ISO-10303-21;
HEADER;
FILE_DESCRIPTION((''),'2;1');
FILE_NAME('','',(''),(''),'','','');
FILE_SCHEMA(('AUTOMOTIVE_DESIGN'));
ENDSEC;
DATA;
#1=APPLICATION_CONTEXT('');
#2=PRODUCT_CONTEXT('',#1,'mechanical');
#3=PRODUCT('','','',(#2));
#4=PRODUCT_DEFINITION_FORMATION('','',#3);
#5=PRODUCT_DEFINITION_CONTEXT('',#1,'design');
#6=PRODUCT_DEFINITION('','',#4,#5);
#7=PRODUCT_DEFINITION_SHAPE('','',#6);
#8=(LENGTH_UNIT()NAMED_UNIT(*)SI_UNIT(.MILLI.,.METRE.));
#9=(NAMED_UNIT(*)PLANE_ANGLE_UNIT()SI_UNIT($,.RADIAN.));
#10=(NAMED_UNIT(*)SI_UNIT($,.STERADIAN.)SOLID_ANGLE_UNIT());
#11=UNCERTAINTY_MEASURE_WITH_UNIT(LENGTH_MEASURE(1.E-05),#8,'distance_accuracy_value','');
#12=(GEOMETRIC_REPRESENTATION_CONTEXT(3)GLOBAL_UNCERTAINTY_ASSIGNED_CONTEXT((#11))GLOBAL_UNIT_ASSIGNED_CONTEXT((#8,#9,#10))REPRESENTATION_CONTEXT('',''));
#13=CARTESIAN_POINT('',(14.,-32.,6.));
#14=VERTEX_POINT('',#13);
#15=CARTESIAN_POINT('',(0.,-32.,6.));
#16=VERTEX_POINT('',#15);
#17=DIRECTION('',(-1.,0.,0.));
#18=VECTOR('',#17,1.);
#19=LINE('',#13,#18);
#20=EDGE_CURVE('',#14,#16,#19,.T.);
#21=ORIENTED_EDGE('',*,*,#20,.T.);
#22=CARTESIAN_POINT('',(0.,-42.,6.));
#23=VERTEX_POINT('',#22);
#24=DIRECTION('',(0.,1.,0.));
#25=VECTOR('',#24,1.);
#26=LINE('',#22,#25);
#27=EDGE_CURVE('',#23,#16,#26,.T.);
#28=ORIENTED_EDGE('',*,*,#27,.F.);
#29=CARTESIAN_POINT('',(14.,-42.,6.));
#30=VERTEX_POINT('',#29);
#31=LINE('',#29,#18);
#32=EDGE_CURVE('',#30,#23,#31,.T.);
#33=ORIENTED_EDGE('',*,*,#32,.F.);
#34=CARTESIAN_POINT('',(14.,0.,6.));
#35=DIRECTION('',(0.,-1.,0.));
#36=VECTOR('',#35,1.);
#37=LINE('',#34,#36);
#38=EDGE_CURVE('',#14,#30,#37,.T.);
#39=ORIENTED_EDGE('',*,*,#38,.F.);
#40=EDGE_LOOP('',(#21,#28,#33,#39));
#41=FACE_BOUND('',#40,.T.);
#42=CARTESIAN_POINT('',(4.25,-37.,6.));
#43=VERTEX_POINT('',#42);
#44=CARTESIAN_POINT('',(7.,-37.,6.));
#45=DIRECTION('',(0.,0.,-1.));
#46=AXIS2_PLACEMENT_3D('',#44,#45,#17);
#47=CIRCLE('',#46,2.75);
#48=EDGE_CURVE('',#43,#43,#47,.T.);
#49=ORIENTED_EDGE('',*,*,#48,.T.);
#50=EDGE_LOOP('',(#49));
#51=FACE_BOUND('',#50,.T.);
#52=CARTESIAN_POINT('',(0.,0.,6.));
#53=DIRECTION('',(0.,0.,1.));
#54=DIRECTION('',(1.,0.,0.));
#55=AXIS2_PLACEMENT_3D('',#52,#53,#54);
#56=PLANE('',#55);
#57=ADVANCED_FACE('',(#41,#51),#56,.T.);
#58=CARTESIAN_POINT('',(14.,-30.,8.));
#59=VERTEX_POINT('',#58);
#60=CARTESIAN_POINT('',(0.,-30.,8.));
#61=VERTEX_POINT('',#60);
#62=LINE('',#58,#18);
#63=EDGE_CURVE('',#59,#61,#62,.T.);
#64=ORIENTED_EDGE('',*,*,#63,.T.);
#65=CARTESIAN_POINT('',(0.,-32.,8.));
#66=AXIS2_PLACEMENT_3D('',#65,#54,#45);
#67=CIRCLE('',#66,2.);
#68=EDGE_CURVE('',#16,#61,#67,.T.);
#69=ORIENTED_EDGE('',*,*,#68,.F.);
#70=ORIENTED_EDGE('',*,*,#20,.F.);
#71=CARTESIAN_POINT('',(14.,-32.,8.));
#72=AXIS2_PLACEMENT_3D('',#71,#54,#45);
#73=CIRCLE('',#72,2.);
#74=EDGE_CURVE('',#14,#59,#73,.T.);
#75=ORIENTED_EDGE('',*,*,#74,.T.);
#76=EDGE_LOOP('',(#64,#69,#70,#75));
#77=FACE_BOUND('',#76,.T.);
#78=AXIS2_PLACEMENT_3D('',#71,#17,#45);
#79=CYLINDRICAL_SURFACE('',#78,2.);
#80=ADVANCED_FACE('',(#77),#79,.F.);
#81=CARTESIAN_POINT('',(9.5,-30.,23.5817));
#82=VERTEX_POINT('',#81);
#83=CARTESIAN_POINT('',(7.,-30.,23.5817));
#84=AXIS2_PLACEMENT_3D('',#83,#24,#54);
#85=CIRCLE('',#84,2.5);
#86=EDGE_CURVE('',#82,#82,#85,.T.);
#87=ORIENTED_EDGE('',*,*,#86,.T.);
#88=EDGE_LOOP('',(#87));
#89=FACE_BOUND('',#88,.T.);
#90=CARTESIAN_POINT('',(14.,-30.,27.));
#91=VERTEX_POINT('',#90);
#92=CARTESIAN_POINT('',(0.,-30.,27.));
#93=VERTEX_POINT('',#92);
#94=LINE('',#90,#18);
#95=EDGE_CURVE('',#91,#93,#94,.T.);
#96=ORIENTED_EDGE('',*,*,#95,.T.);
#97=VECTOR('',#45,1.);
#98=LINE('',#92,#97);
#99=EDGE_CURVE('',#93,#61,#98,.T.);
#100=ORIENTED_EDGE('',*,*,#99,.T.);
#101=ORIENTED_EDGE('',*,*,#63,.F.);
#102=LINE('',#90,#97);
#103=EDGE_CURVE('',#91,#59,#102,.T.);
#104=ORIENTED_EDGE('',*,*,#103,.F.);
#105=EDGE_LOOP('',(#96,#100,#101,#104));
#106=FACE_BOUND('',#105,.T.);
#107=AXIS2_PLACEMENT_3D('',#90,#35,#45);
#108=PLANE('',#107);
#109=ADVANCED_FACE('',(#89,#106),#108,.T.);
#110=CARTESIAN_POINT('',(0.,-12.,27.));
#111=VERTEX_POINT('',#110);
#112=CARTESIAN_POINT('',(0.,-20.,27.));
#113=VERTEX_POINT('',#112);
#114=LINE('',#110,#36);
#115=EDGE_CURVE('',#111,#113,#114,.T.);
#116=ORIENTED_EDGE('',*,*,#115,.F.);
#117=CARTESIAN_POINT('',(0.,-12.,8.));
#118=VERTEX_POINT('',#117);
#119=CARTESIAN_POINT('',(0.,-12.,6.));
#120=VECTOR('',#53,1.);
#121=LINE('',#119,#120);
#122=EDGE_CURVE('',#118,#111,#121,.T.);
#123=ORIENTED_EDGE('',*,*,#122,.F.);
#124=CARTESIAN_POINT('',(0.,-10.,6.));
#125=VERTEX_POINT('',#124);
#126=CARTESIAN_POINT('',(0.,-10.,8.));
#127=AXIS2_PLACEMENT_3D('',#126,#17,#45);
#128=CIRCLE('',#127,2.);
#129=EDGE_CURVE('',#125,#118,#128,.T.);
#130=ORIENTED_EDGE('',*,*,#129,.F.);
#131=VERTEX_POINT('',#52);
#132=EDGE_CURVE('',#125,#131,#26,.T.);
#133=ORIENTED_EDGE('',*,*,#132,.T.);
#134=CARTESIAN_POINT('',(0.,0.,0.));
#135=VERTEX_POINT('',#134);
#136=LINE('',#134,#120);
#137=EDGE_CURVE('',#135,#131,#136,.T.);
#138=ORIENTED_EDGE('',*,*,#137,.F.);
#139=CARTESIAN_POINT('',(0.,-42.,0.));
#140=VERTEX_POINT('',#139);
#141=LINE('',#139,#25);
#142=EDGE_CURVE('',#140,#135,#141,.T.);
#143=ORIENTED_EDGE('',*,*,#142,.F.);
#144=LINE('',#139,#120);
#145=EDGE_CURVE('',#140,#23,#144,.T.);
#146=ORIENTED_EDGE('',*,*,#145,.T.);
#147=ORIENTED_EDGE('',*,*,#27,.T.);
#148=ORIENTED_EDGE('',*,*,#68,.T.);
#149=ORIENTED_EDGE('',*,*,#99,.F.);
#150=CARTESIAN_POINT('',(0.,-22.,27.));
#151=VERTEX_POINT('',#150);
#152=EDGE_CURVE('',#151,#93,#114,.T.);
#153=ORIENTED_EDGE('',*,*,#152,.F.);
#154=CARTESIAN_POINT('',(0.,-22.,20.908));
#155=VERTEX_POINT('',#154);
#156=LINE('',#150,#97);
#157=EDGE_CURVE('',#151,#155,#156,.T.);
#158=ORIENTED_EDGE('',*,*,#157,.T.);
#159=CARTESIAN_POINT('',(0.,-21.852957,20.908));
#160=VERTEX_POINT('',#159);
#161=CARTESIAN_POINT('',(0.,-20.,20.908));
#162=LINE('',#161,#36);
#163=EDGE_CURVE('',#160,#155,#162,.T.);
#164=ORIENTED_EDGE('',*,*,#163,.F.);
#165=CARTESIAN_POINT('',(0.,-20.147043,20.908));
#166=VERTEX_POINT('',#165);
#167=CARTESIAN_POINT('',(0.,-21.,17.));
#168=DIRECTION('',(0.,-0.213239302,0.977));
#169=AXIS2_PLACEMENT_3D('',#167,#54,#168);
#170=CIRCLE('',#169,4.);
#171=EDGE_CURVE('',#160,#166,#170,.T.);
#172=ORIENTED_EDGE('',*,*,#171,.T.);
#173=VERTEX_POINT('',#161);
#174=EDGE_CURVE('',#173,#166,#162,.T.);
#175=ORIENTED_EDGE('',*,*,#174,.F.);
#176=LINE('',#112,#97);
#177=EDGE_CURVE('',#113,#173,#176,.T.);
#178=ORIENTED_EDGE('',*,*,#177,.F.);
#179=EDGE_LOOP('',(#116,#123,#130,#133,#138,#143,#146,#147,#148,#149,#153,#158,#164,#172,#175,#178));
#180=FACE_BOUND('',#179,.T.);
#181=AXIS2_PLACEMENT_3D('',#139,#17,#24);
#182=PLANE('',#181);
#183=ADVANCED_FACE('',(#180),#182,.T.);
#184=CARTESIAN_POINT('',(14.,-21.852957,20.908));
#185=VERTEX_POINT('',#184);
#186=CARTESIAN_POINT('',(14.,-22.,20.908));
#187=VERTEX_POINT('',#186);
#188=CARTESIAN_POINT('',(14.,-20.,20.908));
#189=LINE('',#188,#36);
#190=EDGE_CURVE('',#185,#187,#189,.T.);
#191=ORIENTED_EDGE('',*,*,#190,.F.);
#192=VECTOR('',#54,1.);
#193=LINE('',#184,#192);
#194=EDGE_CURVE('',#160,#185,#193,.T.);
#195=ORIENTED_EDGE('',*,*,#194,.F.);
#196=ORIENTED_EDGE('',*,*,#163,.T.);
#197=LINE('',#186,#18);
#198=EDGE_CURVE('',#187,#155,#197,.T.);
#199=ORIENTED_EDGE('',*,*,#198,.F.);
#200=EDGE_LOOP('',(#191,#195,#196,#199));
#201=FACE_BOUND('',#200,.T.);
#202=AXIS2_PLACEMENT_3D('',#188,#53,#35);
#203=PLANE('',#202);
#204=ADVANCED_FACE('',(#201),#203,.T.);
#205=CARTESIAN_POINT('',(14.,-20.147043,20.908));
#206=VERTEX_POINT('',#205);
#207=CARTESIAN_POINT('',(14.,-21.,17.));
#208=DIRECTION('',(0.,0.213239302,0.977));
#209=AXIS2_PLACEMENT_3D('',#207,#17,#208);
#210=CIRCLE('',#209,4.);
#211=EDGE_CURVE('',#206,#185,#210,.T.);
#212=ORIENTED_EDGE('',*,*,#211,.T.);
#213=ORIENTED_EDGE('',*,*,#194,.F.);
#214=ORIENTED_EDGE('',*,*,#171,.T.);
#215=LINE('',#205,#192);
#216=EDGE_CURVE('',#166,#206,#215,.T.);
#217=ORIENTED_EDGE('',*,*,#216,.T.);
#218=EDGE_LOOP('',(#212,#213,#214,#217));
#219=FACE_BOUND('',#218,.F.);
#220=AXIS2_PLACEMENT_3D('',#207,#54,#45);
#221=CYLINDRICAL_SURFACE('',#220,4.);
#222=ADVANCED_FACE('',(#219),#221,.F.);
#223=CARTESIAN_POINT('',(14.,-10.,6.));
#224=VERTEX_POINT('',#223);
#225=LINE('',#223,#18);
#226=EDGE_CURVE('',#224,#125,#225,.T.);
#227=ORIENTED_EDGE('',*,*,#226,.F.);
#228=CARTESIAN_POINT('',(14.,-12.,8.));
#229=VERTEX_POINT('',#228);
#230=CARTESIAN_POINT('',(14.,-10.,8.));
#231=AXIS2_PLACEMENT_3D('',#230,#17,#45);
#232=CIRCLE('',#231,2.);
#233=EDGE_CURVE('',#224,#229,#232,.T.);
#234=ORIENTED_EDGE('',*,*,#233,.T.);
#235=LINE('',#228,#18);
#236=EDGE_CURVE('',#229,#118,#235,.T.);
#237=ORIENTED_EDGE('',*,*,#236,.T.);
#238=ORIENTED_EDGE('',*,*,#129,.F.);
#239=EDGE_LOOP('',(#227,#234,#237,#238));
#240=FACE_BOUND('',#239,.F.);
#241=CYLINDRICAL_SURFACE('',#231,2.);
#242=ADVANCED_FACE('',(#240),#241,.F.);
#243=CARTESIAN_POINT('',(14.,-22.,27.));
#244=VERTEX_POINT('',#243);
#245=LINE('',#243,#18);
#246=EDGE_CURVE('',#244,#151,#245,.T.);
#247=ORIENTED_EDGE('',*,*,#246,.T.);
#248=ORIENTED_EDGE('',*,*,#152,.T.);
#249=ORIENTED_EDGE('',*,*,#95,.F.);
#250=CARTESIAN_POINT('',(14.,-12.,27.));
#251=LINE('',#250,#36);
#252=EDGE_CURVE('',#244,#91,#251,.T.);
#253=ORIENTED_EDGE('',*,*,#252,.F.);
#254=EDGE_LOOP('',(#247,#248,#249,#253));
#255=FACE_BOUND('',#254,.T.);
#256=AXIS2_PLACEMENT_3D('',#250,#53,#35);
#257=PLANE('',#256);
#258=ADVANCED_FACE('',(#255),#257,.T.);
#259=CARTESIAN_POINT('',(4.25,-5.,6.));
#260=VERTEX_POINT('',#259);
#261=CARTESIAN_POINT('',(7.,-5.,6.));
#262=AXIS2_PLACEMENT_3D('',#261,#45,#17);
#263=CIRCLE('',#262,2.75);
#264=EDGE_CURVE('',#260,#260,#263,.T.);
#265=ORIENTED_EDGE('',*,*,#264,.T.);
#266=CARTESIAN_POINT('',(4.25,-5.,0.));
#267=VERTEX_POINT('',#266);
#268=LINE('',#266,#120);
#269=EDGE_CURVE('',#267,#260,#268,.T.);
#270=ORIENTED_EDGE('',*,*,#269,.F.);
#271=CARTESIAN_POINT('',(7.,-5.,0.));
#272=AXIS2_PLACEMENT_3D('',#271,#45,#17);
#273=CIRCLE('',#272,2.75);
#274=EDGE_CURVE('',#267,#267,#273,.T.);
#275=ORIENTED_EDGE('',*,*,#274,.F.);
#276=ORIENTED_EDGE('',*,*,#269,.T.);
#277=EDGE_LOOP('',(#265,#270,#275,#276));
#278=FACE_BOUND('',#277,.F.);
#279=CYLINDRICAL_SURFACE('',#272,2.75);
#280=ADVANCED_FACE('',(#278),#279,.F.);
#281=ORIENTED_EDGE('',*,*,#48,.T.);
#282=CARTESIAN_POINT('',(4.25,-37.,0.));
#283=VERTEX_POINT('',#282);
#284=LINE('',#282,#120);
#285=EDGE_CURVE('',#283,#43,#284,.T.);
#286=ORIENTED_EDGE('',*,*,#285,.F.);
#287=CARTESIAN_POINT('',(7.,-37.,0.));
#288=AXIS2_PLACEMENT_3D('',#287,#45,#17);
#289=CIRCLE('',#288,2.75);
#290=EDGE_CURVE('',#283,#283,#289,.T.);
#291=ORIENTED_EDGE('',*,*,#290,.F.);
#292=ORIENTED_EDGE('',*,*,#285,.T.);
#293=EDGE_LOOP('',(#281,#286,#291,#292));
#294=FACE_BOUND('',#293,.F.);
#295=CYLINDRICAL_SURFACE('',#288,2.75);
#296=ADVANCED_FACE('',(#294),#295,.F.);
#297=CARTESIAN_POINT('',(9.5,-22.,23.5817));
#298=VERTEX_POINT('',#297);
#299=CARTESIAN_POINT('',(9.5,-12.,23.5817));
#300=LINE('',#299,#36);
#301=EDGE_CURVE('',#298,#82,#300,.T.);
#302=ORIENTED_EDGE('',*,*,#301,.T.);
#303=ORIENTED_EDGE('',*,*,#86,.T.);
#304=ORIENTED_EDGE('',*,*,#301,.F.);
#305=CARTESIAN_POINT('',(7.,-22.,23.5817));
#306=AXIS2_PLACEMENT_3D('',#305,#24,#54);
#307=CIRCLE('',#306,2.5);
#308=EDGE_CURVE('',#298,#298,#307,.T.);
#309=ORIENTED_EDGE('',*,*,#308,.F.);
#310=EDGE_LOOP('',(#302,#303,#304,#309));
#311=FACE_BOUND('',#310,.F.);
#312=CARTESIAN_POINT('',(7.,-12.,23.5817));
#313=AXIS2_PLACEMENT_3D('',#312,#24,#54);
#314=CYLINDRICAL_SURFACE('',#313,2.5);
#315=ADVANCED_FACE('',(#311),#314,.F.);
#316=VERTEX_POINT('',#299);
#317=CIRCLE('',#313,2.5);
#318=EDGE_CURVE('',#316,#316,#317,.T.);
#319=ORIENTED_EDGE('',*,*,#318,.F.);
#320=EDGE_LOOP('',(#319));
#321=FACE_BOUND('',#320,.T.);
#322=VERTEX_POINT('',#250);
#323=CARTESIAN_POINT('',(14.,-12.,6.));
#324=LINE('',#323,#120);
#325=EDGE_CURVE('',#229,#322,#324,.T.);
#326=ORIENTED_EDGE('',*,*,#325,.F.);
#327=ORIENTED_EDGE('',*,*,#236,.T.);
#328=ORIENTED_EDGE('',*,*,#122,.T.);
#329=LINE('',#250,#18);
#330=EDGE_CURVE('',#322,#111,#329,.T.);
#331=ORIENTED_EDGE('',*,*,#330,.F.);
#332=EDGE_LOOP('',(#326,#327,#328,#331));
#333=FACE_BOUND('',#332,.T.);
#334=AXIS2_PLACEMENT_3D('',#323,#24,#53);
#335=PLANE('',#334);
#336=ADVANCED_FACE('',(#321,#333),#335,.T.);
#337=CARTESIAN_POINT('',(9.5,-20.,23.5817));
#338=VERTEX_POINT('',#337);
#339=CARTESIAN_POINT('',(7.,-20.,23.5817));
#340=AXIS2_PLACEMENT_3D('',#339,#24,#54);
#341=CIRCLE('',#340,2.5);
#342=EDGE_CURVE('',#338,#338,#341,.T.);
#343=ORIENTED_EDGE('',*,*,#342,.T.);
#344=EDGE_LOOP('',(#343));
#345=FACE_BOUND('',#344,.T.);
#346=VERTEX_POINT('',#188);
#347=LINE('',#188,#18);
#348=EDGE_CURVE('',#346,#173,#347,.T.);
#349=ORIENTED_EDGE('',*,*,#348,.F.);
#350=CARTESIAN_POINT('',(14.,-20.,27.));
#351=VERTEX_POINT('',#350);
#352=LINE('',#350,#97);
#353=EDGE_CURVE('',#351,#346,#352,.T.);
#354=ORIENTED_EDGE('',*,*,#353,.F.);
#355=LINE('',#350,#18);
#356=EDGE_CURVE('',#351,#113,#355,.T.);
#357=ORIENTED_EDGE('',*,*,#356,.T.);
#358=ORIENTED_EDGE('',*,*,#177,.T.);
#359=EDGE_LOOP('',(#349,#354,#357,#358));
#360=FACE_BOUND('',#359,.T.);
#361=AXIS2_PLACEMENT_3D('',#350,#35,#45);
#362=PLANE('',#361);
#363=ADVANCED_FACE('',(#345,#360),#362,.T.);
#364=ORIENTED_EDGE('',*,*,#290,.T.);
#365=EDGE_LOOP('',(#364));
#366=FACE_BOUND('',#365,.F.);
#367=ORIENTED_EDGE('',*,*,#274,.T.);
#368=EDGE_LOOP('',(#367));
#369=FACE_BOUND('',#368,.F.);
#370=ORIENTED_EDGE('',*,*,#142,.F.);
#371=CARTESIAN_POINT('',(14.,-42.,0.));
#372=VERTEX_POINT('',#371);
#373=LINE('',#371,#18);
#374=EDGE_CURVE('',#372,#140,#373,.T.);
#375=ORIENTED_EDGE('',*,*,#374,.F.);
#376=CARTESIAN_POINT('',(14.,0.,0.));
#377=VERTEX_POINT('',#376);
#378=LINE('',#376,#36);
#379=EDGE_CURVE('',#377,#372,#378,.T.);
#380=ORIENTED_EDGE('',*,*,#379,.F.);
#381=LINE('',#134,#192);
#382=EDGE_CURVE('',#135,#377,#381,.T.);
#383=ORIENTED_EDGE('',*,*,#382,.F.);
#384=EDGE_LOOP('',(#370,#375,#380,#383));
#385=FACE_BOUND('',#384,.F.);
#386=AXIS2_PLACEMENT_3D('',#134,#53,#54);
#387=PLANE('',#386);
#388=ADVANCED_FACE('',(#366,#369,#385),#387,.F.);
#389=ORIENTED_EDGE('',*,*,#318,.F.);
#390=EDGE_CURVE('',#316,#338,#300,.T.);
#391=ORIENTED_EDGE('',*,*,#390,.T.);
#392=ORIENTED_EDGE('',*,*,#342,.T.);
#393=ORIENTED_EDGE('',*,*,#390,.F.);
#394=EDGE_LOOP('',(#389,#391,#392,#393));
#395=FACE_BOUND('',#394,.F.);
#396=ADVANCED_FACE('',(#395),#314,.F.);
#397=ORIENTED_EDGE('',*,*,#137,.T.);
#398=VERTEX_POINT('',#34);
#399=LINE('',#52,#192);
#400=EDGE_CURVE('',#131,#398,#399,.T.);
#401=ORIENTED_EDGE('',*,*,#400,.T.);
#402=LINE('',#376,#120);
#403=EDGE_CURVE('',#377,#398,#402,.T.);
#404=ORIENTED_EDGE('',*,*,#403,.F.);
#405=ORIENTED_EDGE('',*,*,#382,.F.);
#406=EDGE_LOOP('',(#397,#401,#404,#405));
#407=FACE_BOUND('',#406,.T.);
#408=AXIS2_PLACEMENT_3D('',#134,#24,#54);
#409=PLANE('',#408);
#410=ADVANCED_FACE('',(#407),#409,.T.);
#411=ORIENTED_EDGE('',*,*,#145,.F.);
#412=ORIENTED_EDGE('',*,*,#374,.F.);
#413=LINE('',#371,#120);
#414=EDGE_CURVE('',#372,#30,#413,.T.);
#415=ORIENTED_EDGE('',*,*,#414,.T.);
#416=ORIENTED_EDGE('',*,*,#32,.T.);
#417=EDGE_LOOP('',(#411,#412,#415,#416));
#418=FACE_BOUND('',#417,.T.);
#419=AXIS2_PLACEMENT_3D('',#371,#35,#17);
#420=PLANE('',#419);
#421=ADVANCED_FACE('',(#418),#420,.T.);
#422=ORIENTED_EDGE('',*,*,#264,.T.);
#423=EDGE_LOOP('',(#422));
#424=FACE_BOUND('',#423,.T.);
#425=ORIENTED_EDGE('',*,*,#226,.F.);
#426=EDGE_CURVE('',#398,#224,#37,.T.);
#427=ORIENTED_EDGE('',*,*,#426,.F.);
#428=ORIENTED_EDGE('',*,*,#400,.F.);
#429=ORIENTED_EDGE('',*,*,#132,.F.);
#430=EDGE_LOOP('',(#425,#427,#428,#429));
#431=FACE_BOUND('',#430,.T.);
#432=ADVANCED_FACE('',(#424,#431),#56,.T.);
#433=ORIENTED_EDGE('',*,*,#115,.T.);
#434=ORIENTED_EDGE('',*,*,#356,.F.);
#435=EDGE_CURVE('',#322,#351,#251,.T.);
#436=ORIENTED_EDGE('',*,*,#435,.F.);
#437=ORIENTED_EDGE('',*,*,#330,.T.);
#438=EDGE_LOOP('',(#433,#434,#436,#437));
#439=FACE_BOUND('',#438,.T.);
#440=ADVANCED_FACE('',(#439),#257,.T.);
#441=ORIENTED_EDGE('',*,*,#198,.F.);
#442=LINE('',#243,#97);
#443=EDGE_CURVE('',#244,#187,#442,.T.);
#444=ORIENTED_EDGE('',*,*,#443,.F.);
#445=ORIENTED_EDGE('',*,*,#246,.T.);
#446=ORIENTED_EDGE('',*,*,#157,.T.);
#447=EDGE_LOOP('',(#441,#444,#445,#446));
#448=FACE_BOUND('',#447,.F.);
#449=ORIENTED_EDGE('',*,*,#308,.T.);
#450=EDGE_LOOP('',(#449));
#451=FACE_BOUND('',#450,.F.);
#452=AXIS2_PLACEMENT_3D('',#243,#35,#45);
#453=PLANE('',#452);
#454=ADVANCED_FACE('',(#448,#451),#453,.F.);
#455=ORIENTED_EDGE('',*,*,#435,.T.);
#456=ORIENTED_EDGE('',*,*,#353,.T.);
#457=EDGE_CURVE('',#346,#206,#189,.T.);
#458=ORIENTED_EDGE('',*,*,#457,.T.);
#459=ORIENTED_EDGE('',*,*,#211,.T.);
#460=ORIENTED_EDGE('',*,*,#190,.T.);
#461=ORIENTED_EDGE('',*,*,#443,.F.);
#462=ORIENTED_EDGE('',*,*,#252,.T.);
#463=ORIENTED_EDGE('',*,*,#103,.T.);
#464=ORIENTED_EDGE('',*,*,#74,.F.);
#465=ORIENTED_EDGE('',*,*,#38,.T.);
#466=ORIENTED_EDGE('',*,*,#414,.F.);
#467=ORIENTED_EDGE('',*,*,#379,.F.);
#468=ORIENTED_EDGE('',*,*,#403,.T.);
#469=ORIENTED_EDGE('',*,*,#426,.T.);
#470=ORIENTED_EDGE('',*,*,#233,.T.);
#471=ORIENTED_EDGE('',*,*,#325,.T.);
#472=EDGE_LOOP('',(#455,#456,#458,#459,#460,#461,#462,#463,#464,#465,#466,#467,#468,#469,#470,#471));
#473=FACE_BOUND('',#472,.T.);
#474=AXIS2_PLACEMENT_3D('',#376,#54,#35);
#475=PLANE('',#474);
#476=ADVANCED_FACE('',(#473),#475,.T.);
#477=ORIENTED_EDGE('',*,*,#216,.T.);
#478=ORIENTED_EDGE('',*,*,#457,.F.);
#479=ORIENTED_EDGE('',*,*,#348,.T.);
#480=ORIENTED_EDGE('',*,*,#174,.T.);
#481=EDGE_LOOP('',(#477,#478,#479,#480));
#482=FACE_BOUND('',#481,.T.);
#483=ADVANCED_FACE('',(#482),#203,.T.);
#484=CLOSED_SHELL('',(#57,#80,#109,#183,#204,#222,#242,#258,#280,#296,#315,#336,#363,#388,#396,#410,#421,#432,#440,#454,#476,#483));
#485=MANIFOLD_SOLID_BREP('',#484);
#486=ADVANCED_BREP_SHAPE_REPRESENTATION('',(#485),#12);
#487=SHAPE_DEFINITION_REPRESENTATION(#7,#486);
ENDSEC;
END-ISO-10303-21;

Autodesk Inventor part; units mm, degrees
ref_plane "YZ Plane" through (0, 0, 0) normal (1, 0, 0) x (0, 1, 0)
ref_plane "XZ Plane" through (0, 0, 0) normal (0, 1, 0) x (-1, 0, 0)
ref_plane "XY Plane" through (0, 0, 0) normal (0, 0, 1) x (1, 0, 0)
sketch "Sketch1" plane through (0, 0, 0) normal (0, 0, 1) x (1, 0, 0)
  line L0 (0, 0) -> (14, 0)
  line L1 (14, 0) -> (14, -42)
  line L2 (14, -42) -> (0, -42)
  line L3 (0, -42) -> (0, 0)
  dimension "d0" = 14
  dimension "d1" = 42
extrude "Extrusion1" add sketch "Sketch1" along normal blind 6
sketch "Sketch2" plane through (14, -42, 0) normal (1, 0, 0) x (0, 0, -1)
  line L0 (-6, 30) -> (-27, 30)
  line L1 (-27, 30) -> (-27, 12)
  line L2 (-27, 12) -> (-6, 12)
  line L3 (-6, 12) -> (-6, 30)
  point P0 (0, 42)
  point P1 (-6, 0)
  point P2 (-6, 42)
extrude "Extrusion2" add sketch "Sketch2" against normal blind 14
sketch "Sketch3" plane through (14, -42, 0) normal (1, 0, 0) x (0, 0, -1)
  line L0 (0, 42) -> (0, 0) projected
  line L1 (-27, 30) -> (-6, 30) projected
  circle A0 centre (-17, 21) radius 4
  dimension "d11" = 8
extrude "Extrusion3" cut sketch "Sketch3" against normal blind 14
sketch "Sketch4" plane through (14, -42, 0) normal (1, 0, 0) x (0, 0, -1)
  point P0 (0, 42)
sketch "Sketch5" plane through (14, -42, 0) normal (1, 0, 0) x (0, 0, -1)
  point P0 (0, 42)
sketch "Sketch6" plane through (0, 0, 0) normal (0, 0, -1) x (-1, 0, 0)
  line L0 (0, -42) -> (-14, -42) projected
  circle A0 centre (-7, -5) radius 2.75
  circle A1 centre (-7, -37) radius 2.75
  point P0 (-14, 0)
  dimension "d16" = 5.5
  dimension "d17" = 5.5
extrude "Extrusion4" cut sketch "Sketch6" against normal blind 6
sketch "Sketch7" plane through (14, -42, 0) normal (1, 0, 0) x (0, 0, -1)
  point P0 (0, 42)
sketch "Sketch8" plane through (14, -42, 0) normal (1, 0, 0) x (0, 0, -1)
  line L0 (-27, 30) -> (-27, 12) projected
  line L1 (-27, 21) -> (-27, 22)
  line L2 (-27, 21) -> (-27, 20)
  line L3 (-27, 20) -> (-20.908, 20)
  line L4 (-27, 22) -> (-20.908, 22)
  line L5 (-20.908, 22) -> (-20.908, 20)
  point P0 (0, 42)
  dimension "d21" = 1
extrude "Extrusion5" cut sketch "Sketch8" against normal blind 14
sketch "Sketch9" plane through (14, -12, 27) normal (0, 1, 0) x (1, 0, 0)
  line L0 (0, 0) -> (-14, 0) projected
  line L1 (0, 21) -> (-14, 21) projected
  line L2 (-14, 0) -> (-14, 6.092) projected
  circle A0 centre (-7, 3.4183) radius 2.5
  point P0 (-14, 27)
  dimension "d24" = 5
extrude "Extrusion6" cut sketch "Sketch9" against normal blind 20
fillet "Fillet1" radius 2 1 edges at (7, -12, 6)
fillet "Fillet2" radius 2 1 edges at (7, -30, 6)
properties part number "soporte de eje de carril"
